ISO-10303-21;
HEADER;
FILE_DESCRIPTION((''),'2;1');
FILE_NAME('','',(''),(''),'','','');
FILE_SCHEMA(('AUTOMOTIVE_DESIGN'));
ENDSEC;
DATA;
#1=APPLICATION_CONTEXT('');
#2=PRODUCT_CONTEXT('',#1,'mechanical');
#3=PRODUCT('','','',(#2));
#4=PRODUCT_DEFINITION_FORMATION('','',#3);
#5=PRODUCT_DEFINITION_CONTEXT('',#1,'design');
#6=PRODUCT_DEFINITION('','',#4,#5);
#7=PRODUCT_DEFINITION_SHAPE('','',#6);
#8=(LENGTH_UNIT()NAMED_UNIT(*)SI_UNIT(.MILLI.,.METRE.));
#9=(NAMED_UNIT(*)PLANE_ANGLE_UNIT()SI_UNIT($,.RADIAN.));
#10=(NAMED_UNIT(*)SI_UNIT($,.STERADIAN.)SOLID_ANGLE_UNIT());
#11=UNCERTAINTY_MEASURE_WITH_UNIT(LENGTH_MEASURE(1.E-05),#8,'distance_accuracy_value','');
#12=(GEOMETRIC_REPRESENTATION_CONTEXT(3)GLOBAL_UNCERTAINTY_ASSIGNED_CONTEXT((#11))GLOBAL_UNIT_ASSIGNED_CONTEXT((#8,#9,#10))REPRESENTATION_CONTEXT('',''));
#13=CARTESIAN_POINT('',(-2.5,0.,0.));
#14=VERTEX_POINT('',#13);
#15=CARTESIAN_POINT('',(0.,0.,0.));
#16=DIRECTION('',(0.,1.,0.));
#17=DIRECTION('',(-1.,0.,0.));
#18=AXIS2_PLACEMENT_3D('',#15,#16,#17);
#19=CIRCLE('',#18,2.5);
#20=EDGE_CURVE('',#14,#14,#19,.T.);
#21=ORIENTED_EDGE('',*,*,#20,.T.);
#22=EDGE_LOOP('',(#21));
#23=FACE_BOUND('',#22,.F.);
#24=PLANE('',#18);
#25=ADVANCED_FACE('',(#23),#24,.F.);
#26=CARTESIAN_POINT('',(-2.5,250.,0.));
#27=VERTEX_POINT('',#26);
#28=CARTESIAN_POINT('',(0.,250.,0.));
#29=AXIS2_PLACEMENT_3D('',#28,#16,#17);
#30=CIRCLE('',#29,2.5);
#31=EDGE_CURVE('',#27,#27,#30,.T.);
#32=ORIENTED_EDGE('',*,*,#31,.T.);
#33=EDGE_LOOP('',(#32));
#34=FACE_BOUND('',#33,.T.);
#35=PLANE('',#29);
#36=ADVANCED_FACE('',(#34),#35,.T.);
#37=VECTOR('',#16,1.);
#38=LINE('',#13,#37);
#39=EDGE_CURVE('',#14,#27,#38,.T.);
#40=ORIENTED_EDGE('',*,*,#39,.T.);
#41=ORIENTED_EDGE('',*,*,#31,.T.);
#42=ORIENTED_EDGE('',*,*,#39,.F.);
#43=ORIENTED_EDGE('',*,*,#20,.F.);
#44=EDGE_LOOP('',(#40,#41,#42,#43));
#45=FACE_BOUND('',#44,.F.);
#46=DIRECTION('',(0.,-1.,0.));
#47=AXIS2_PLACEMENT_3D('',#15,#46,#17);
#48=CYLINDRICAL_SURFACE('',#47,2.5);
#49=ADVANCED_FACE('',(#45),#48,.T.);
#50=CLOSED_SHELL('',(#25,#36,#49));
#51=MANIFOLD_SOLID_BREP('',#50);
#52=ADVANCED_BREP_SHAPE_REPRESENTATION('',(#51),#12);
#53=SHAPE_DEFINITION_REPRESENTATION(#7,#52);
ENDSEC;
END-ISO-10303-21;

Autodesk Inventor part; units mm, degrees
ref_plane "YZ Plane" through (0, 0, 0) normal (1, 0, 0) x (0, 1, 0)
ref_plane "XZ Plane" through (0, 0, 0) normal (0, 1, 0) x (-1, 0, 0)
ref_plane "XY Plane" through (0, 0, 0) normal (0, 0, 1) x (1, 0, 0)
sketch "Эскиз1" plane through (0, 0, 0) normal (0, 1, 0) x (-1, 0, 0)
  circle A0 centre (0, 0) radius 2.5
  dimension "d0" = 5
extrude "Выдавливание1" add sketch "Эскиз1" along normal blind 250
properties part number "trubeD5mmxlenght250mm"
